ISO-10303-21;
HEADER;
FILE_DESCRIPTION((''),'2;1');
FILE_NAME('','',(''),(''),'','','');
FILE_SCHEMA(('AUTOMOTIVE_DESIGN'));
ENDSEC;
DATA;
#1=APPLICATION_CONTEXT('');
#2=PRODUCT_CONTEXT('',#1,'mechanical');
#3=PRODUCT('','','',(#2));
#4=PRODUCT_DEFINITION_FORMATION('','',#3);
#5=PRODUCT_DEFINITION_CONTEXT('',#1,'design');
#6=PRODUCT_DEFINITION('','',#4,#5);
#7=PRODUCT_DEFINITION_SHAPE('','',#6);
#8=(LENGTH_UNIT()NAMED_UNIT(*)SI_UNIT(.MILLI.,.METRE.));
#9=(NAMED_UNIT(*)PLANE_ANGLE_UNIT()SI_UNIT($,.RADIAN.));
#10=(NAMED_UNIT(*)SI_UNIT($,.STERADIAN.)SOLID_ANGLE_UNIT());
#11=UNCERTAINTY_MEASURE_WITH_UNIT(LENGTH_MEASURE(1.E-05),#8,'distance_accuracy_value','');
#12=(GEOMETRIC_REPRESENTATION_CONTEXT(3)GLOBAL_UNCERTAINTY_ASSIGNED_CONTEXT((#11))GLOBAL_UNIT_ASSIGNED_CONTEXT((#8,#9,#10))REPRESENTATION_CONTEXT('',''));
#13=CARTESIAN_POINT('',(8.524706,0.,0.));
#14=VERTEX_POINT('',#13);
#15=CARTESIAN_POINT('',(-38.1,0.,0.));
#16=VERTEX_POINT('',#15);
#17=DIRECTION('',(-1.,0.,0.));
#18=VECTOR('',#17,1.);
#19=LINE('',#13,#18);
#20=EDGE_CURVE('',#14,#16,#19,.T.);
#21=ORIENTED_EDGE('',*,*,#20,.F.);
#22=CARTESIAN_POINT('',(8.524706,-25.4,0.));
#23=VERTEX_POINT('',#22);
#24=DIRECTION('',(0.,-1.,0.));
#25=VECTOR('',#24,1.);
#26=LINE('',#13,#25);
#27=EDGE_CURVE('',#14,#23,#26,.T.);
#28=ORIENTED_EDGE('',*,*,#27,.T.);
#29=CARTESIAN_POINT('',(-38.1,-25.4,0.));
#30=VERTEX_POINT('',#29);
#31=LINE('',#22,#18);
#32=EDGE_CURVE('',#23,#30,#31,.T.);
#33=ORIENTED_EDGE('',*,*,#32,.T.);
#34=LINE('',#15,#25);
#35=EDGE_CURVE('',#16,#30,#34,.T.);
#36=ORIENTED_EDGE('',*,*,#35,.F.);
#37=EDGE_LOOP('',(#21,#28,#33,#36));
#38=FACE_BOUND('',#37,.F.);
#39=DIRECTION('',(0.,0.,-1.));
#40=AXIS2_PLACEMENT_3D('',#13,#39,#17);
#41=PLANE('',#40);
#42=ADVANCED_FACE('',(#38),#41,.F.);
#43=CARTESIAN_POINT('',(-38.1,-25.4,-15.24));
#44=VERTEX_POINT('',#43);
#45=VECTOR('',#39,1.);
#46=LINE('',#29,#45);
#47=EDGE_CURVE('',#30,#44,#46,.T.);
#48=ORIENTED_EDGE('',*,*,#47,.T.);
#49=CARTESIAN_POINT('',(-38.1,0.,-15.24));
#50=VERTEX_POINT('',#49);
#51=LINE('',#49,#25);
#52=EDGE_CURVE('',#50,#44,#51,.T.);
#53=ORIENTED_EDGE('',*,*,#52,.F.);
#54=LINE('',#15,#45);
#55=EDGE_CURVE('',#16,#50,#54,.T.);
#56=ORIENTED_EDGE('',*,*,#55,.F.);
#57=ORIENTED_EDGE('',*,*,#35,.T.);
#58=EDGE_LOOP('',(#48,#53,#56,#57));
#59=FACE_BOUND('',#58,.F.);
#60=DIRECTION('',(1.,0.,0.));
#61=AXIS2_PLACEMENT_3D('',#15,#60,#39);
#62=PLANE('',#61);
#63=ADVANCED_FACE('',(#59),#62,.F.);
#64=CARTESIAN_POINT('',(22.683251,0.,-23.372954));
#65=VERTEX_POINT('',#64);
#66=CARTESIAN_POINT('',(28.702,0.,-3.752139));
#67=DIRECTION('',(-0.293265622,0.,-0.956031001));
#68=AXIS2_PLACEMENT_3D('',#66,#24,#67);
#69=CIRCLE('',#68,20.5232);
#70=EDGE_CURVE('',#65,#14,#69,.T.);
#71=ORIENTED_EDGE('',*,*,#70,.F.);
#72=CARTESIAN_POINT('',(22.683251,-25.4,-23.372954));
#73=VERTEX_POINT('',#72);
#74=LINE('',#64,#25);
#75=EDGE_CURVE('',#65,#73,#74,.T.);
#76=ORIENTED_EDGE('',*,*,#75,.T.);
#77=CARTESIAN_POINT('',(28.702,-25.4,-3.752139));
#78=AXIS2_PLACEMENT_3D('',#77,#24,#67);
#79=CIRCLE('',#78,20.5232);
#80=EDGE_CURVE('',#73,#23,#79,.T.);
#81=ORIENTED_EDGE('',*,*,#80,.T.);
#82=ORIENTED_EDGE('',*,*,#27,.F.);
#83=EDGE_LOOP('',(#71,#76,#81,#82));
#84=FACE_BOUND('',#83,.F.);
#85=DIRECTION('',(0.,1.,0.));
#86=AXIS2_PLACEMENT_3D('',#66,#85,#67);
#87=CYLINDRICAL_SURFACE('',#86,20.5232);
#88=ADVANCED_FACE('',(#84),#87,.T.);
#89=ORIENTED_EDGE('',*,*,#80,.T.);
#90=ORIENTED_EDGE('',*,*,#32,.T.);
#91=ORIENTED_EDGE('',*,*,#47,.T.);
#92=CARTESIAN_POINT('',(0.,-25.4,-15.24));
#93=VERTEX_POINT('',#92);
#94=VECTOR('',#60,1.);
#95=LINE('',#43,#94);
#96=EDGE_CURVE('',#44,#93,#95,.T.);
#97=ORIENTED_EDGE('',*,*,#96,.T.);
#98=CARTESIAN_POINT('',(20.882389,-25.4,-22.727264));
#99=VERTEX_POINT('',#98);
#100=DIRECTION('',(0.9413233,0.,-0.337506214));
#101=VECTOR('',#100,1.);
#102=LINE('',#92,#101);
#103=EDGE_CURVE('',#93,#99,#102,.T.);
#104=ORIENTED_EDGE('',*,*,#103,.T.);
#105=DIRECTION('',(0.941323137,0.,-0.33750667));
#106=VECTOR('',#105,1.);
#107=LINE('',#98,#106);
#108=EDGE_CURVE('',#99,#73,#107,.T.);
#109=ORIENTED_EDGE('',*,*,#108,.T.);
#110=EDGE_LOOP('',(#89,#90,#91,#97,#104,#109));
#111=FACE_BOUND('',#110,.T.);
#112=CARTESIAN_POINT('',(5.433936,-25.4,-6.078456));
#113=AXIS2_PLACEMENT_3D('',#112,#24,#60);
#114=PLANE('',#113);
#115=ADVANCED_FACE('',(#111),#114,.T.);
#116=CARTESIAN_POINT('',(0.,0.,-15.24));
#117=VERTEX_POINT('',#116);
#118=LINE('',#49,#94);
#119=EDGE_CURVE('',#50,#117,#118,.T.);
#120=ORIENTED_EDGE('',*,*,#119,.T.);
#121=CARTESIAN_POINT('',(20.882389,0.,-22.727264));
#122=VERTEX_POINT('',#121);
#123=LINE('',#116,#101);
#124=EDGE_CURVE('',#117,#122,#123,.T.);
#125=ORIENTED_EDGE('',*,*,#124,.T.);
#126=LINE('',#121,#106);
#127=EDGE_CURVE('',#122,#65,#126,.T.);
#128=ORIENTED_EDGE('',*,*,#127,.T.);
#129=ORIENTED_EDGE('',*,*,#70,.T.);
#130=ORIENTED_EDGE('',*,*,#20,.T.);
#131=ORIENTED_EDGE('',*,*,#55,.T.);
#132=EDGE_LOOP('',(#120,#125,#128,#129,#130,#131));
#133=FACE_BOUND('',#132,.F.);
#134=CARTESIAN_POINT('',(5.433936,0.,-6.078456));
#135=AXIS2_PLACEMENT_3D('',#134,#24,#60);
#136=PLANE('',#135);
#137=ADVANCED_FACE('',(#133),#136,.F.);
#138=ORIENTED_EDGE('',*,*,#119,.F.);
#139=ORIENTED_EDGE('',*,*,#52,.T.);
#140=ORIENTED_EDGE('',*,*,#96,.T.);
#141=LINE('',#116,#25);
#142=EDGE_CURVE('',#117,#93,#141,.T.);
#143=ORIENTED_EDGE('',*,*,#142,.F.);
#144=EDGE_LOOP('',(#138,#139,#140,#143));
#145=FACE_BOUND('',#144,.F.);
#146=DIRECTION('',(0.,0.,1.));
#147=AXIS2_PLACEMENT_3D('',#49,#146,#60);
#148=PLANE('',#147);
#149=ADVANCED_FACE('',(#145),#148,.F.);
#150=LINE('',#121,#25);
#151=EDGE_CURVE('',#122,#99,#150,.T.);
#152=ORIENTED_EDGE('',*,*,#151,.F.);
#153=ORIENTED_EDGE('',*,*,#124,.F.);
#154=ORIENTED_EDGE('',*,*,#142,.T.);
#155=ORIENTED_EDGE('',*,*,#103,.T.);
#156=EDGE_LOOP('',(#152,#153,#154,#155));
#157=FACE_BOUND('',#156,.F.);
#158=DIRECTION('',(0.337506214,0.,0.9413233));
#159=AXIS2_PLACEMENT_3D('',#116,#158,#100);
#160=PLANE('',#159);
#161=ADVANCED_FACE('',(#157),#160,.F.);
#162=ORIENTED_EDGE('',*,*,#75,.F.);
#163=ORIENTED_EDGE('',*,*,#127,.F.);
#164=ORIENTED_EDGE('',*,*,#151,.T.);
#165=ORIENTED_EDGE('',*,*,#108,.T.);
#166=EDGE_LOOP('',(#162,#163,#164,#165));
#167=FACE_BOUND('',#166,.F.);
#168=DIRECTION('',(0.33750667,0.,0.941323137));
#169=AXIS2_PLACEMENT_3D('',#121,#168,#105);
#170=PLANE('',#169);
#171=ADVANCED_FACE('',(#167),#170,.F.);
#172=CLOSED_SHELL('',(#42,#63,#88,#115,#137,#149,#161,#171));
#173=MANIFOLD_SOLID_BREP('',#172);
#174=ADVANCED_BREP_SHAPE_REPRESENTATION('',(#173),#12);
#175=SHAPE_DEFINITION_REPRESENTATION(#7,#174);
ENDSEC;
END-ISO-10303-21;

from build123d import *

# Parameters (mm, degrees)
F0_R     = 8.89
F1_DEPTH = 25.4


with BuildPart() as f1:
    # F0 (on Front) → F1 (new body)
    with BuildSketch(Plane.XZ):
        with BuildLine():
            Line((8.524706, 0), (0, 0))
            Line((0, 0), (-38.1, 0))
            Line((-38.1, 0), (-38.1, -15.24))
            Line((-38.1, -15.24), (0, -15.24))
            Line((0, -15.24), (20.882389, -22.727264))
            Line((20.882389, -22.727264), (22.683251, -23.372954))
            ThreePointArc((22.683251, -23.372954), (46.255686, 6.881292), (8.524706, 0))
        make_face()
        with Locations((28.702, -3.752138)):
            Circle(F0_R, mode=Mode.SUBTRACT)
        with Locations((28.702, -3.752138)):
            Circle(F0_R)
    extrude(amount=F1_DEPTH)


solid = f1.part
